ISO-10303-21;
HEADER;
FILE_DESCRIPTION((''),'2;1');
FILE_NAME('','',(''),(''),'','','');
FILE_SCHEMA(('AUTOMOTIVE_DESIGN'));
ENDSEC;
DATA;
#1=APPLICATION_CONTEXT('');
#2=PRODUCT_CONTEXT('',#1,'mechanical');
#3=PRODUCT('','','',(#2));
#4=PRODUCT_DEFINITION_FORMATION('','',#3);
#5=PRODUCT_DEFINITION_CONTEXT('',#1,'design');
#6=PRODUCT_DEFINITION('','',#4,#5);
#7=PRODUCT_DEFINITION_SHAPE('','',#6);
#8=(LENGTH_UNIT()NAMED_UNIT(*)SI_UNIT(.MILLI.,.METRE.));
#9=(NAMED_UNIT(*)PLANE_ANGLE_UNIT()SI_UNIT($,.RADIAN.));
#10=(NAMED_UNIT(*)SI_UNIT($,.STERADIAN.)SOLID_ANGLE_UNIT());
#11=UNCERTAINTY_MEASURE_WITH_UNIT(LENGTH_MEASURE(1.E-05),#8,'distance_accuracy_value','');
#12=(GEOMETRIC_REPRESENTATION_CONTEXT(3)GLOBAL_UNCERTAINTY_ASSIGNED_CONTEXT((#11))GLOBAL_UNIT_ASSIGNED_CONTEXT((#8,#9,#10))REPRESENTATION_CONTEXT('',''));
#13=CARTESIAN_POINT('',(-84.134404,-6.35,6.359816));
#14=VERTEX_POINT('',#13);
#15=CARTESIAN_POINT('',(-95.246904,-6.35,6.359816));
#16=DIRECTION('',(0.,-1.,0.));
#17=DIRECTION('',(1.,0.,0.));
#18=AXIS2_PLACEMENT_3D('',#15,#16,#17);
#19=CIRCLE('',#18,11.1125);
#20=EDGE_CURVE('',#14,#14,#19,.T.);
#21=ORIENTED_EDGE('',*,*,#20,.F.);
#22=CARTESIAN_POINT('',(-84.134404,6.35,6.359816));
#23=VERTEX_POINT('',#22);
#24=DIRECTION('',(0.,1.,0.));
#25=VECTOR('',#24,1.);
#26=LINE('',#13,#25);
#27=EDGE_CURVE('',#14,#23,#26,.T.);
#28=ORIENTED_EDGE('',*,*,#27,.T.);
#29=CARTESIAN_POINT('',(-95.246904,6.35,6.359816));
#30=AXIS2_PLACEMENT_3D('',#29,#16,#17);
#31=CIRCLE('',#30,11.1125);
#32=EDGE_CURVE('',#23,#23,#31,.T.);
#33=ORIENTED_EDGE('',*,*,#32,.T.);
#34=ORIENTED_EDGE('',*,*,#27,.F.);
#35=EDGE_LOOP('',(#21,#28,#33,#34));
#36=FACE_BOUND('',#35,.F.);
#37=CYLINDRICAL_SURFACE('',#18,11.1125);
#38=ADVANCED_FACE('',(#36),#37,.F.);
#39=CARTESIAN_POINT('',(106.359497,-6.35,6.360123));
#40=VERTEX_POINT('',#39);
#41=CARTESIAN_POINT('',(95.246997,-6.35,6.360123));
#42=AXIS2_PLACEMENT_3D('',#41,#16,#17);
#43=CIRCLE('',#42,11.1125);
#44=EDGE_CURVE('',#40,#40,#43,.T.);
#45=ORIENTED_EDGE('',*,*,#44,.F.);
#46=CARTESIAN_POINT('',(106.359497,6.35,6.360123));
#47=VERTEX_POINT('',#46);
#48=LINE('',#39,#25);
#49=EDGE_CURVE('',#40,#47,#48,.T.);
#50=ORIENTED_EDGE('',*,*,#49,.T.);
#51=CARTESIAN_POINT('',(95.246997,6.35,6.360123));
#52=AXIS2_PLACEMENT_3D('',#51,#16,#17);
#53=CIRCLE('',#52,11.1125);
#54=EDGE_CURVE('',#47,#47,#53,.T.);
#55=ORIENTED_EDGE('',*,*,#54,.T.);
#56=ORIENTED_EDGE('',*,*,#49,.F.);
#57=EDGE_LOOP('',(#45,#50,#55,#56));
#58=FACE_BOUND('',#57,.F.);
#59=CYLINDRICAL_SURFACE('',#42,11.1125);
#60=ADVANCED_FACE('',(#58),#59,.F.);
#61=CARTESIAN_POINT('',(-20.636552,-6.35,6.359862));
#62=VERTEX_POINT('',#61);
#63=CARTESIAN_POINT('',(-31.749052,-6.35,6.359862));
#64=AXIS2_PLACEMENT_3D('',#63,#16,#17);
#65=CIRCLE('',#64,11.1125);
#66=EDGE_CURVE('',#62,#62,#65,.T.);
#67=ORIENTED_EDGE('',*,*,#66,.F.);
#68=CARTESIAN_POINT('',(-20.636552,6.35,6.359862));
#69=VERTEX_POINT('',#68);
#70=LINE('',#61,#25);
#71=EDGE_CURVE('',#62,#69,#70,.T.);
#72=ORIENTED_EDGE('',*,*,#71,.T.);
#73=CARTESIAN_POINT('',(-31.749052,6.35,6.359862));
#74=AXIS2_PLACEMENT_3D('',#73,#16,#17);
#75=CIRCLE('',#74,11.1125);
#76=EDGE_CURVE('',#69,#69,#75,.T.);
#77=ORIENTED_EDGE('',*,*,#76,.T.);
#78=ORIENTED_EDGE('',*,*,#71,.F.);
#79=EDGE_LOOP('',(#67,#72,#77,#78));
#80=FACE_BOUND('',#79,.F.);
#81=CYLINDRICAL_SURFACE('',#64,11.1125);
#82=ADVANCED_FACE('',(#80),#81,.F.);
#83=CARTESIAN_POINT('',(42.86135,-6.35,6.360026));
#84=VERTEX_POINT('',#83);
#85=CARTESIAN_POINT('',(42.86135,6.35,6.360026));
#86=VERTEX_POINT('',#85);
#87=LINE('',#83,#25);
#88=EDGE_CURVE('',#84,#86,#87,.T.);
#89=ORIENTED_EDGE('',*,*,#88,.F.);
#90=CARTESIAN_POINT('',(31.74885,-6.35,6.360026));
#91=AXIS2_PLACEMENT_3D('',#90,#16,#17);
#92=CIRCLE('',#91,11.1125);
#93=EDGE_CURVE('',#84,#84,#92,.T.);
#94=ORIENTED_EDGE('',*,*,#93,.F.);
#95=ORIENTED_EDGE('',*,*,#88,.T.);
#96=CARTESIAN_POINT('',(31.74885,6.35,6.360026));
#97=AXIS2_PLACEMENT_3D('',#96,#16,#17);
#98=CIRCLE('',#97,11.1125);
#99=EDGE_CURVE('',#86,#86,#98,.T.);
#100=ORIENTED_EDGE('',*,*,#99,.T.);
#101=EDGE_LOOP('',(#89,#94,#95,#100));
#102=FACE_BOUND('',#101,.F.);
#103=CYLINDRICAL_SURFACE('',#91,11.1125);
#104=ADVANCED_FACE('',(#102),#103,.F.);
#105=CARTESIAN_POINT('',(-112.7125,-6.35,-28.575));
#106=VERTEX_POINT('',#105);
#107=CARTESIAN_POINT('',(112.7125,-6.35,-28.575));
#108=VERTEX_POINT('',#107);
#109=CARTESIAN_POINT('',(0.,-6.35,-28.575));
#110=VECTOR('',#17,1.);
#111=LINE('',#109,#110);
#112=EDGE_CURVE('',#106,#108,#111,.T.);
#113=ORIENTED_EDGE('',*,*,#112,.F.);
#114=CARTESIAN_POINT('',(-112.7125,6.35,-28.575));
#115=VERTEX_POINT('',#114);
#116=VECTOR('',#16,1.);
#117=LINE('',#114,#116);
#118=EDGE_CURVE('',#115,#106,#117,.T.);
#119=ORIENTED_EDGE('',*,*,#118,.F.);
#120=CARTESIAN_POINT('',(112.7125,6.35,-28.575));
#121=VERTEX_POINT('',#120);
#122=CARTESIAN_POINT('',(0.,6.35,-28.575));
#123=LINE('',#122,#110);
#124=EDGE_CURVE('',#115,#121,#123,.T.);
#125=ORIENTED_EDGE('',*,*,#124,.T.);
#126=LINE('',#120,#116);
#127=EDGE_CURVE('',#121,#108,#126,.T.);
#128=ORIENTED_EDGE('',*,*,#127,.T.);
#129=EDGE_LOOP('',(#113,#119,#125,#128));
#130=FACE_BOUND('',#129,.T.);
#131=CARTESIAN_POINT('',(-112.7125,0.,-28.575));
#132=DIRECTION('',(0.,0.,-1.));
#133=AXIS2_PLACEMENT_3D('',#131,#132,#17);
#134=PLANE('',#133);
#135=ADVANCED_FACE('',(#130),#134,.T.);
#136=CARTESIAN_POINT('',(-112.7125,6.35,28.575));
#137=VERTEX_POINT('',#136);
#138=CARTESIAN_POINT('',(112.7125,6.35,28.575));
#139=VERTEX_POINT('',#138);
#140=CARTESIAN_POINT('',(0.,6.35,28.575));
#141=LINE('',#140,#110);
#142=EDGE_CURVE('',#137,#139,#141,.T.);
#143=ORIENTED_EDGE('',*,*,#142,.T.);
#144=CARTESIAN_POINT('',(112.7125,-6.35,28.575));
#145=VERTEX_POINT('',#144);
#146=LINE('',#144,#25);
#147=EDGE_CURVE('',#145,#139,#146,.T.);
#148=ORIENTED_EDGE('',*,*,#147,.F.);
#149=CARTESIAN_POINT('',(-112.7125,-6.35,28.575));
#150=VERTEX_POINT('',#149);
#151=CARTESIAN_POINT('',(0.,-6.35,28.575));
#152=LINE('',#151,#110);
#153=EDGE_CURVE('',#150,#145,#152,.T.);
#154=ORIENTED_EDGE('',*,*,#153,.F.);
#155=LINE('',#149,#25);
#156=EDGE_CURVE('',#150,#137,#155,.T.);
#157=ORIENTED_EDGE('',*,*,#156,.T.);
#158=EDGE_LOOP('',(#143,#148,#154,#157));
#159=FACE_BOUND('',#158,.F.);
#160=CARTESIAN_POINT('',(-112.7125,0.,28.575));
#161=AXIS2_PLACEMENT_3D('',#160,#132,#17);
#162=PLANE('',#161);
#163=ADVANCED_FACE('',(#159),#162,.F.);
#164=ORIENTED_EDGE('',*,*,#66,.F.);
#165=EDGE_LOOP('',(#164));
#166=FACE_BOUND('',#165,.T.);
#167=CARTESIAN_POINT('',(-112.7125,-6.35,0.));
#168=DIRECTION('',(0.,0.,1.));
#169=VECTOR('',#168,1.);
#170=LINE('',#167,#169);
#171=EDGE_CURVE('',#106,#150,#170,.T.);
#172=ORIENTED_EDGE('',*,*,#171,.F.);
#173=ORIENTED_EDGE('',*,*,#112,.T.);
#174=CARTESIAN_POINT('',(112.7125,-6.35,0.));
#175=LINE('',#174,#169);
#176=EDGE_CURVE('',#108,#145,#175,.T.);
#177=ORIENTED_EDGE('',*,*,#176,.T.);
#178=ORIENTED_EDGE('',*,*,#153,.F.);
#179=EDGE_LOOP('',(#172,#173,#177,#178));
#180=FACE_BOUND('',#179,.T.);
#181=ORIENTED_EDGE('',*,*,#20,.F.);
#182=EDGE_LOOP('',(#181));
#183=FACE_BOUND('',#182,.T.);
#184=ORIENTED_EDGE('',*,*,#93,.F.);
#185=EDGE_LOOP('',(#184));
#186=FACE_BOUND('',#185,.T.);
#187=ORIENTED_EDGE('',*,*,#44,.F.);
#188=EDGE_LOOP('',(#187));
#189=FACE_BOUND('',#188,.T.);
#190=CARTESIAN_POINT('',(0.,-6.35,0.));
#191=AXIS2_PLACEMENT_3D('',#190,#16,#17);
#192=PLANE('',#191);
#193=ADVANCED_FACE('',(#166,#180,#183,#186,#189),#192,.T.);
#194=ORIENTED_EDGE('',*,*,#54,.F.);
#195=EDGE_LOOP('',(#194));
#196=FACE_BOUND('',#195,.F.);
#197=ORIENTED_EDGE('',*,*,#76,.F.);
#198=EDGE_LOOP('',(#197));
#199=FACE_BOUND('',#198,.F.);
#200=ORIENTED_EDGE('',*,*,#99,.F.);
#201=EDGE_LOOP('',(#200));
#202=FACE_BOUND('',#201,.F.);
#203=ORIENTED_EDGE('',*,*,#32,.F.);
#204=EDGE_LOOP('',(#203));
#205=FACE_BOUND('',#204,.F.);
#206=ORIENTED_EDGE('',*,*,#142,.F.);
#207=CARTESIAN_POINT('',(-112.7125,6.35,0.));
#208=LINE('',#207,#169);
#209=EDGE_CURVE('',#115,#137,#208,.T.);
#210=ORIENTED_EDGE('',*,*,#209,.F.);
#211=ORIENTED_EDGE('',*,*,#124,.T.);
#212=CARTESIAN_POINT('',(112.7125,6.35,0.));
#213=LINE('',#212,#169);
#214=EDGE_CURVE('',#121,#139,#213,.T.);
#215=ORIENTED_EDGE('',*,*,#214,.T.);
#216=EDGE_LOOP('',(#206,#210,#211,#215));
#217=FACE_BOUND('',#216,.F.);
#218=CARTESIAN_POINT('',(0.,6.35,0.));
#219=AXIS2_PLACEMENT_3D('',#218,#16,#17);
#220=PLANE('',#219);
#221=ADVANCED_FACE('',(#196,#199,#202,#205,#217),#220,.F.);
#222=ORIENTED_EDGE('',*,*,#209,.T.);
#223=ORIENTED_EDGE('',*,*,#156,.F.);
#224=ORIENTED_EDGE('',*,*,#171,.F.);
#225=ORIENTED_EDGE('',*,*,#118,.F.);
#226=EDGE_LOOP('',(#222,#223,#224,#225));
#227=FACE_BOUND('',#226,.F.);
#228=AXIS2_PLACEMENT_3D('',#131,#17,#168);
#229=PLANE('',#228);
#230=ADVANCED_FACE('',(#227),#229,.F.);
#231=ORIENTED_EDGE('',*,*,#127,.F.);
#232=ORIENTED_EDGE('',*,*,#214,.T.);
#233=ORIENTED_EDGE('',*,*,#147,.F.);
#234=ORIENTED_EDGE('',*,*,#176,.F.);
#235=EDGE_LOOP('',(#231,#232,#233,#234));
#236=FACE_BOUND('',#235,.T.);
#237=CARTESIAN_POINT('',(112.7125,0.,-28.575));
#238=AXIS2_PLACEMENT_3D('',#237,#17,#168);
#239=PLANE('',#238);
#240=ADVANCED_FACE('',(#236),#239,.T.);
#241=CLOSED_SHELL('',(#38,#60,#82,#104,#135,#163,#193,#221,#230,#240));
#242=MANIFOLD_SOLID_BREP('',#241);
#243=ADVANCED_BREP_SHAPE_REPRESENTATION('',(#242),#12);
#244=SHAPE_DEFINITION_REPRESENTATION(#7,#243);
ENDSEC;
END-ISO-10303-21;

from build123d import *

# Parameters (mm, degrees)
F0_W     = 225.425
F0_H     = 57.15
F1_DEPTH = 6.35
F3_DEPTH = 12.701


with BuildPart() as f1:
    # F0 (on Front) → F1 (new body, symmetric)
    with BuildSketch(Plane.XZ):
        Rectangle(F0_W, F0_H)
    extrude(amount=F1_DEPTH, both=True)

    # F2 (on face) → F3 (cut, through all)
    with BuildSketch(Plane.XZ.offset(6.35)):
        with BuildLine():
            Line((-84.1344035983, 6.3598155975), (-106.3594035983, 6.3598155975))
            ThreePointArc((-106.3594035983, 6.3598155975), (-95.2469035983, -4.7526844025), (-84.1344035983, 6.3598155975))
        make_face()
        with BuildLine():
            ThreePointArc((-84.1344035983, 6.3598155975), (-95.2469035983, 17.4723155975), (-106.3594035983, 6.3598155975))
            Line((-106.3594035983, 6.3598155975), (-84.1344035983, 6.3598155975))
        make_face()
        with BuildLine():
            Line((-20.6365519956, 6.359861698), (-42.8615519956, 6.359861698))
            ThreePointArc((-42.8615519956, 6.359861698), (-31.7490519956, -4.752638302), (-20.6365519956, 6.359861698))
        make_face()
        with BuildLine():
            ThreePointArc((-20.6365519956, 6.359861698), (-31.7490519956, 17.472361698), (-42.8615519956, 6.359861698))
            Line((-42.8615519956, 6.359861698), (-20.6365519956, 6.359861698))
        make_face()
        with BuildLine():
            Line((42.8613498986, 6.3600256108), (20.6363498986, 6.3600256108))
            ThreePointArc((20.6363498986, 6.3600256108), (31.7488498986, -4.7524743892), (42.8613498986, 6.3600256108))
        make_face()
        with BuildLine():
            ThreePointArc((42.8613498986, 6.3600256108), (31.7488498986, 17.4725256108), (20.6363498986, 6.3600256108))
            Line((20.6363498986, 6.3600256108), (42.8613498986, 6.3600256108))
        make_face()
        with BuildLine():
            Line((106.3594967306, 6.360122934), (84.1344967306, 6.360122934))
            ThreePointArc((84.1344967306, 6.360122934), (95.2469967306, -4.752377066), (106.3594967306, 6.360122934))
        make_face()
        with BuildLine():
            ThreePointArc((106.3594967306, 6.360122934), (95.2469967306, 17.472622934), (84.1344967306, 6.360122934))
            Line((84.1344967306, 6.360122934), (106.3594967306, 6.360122934))
        make_face()
    extrude(amount=-F3_DEPTH, mode=Mode.SUBTRACT)


solid = f1.part
